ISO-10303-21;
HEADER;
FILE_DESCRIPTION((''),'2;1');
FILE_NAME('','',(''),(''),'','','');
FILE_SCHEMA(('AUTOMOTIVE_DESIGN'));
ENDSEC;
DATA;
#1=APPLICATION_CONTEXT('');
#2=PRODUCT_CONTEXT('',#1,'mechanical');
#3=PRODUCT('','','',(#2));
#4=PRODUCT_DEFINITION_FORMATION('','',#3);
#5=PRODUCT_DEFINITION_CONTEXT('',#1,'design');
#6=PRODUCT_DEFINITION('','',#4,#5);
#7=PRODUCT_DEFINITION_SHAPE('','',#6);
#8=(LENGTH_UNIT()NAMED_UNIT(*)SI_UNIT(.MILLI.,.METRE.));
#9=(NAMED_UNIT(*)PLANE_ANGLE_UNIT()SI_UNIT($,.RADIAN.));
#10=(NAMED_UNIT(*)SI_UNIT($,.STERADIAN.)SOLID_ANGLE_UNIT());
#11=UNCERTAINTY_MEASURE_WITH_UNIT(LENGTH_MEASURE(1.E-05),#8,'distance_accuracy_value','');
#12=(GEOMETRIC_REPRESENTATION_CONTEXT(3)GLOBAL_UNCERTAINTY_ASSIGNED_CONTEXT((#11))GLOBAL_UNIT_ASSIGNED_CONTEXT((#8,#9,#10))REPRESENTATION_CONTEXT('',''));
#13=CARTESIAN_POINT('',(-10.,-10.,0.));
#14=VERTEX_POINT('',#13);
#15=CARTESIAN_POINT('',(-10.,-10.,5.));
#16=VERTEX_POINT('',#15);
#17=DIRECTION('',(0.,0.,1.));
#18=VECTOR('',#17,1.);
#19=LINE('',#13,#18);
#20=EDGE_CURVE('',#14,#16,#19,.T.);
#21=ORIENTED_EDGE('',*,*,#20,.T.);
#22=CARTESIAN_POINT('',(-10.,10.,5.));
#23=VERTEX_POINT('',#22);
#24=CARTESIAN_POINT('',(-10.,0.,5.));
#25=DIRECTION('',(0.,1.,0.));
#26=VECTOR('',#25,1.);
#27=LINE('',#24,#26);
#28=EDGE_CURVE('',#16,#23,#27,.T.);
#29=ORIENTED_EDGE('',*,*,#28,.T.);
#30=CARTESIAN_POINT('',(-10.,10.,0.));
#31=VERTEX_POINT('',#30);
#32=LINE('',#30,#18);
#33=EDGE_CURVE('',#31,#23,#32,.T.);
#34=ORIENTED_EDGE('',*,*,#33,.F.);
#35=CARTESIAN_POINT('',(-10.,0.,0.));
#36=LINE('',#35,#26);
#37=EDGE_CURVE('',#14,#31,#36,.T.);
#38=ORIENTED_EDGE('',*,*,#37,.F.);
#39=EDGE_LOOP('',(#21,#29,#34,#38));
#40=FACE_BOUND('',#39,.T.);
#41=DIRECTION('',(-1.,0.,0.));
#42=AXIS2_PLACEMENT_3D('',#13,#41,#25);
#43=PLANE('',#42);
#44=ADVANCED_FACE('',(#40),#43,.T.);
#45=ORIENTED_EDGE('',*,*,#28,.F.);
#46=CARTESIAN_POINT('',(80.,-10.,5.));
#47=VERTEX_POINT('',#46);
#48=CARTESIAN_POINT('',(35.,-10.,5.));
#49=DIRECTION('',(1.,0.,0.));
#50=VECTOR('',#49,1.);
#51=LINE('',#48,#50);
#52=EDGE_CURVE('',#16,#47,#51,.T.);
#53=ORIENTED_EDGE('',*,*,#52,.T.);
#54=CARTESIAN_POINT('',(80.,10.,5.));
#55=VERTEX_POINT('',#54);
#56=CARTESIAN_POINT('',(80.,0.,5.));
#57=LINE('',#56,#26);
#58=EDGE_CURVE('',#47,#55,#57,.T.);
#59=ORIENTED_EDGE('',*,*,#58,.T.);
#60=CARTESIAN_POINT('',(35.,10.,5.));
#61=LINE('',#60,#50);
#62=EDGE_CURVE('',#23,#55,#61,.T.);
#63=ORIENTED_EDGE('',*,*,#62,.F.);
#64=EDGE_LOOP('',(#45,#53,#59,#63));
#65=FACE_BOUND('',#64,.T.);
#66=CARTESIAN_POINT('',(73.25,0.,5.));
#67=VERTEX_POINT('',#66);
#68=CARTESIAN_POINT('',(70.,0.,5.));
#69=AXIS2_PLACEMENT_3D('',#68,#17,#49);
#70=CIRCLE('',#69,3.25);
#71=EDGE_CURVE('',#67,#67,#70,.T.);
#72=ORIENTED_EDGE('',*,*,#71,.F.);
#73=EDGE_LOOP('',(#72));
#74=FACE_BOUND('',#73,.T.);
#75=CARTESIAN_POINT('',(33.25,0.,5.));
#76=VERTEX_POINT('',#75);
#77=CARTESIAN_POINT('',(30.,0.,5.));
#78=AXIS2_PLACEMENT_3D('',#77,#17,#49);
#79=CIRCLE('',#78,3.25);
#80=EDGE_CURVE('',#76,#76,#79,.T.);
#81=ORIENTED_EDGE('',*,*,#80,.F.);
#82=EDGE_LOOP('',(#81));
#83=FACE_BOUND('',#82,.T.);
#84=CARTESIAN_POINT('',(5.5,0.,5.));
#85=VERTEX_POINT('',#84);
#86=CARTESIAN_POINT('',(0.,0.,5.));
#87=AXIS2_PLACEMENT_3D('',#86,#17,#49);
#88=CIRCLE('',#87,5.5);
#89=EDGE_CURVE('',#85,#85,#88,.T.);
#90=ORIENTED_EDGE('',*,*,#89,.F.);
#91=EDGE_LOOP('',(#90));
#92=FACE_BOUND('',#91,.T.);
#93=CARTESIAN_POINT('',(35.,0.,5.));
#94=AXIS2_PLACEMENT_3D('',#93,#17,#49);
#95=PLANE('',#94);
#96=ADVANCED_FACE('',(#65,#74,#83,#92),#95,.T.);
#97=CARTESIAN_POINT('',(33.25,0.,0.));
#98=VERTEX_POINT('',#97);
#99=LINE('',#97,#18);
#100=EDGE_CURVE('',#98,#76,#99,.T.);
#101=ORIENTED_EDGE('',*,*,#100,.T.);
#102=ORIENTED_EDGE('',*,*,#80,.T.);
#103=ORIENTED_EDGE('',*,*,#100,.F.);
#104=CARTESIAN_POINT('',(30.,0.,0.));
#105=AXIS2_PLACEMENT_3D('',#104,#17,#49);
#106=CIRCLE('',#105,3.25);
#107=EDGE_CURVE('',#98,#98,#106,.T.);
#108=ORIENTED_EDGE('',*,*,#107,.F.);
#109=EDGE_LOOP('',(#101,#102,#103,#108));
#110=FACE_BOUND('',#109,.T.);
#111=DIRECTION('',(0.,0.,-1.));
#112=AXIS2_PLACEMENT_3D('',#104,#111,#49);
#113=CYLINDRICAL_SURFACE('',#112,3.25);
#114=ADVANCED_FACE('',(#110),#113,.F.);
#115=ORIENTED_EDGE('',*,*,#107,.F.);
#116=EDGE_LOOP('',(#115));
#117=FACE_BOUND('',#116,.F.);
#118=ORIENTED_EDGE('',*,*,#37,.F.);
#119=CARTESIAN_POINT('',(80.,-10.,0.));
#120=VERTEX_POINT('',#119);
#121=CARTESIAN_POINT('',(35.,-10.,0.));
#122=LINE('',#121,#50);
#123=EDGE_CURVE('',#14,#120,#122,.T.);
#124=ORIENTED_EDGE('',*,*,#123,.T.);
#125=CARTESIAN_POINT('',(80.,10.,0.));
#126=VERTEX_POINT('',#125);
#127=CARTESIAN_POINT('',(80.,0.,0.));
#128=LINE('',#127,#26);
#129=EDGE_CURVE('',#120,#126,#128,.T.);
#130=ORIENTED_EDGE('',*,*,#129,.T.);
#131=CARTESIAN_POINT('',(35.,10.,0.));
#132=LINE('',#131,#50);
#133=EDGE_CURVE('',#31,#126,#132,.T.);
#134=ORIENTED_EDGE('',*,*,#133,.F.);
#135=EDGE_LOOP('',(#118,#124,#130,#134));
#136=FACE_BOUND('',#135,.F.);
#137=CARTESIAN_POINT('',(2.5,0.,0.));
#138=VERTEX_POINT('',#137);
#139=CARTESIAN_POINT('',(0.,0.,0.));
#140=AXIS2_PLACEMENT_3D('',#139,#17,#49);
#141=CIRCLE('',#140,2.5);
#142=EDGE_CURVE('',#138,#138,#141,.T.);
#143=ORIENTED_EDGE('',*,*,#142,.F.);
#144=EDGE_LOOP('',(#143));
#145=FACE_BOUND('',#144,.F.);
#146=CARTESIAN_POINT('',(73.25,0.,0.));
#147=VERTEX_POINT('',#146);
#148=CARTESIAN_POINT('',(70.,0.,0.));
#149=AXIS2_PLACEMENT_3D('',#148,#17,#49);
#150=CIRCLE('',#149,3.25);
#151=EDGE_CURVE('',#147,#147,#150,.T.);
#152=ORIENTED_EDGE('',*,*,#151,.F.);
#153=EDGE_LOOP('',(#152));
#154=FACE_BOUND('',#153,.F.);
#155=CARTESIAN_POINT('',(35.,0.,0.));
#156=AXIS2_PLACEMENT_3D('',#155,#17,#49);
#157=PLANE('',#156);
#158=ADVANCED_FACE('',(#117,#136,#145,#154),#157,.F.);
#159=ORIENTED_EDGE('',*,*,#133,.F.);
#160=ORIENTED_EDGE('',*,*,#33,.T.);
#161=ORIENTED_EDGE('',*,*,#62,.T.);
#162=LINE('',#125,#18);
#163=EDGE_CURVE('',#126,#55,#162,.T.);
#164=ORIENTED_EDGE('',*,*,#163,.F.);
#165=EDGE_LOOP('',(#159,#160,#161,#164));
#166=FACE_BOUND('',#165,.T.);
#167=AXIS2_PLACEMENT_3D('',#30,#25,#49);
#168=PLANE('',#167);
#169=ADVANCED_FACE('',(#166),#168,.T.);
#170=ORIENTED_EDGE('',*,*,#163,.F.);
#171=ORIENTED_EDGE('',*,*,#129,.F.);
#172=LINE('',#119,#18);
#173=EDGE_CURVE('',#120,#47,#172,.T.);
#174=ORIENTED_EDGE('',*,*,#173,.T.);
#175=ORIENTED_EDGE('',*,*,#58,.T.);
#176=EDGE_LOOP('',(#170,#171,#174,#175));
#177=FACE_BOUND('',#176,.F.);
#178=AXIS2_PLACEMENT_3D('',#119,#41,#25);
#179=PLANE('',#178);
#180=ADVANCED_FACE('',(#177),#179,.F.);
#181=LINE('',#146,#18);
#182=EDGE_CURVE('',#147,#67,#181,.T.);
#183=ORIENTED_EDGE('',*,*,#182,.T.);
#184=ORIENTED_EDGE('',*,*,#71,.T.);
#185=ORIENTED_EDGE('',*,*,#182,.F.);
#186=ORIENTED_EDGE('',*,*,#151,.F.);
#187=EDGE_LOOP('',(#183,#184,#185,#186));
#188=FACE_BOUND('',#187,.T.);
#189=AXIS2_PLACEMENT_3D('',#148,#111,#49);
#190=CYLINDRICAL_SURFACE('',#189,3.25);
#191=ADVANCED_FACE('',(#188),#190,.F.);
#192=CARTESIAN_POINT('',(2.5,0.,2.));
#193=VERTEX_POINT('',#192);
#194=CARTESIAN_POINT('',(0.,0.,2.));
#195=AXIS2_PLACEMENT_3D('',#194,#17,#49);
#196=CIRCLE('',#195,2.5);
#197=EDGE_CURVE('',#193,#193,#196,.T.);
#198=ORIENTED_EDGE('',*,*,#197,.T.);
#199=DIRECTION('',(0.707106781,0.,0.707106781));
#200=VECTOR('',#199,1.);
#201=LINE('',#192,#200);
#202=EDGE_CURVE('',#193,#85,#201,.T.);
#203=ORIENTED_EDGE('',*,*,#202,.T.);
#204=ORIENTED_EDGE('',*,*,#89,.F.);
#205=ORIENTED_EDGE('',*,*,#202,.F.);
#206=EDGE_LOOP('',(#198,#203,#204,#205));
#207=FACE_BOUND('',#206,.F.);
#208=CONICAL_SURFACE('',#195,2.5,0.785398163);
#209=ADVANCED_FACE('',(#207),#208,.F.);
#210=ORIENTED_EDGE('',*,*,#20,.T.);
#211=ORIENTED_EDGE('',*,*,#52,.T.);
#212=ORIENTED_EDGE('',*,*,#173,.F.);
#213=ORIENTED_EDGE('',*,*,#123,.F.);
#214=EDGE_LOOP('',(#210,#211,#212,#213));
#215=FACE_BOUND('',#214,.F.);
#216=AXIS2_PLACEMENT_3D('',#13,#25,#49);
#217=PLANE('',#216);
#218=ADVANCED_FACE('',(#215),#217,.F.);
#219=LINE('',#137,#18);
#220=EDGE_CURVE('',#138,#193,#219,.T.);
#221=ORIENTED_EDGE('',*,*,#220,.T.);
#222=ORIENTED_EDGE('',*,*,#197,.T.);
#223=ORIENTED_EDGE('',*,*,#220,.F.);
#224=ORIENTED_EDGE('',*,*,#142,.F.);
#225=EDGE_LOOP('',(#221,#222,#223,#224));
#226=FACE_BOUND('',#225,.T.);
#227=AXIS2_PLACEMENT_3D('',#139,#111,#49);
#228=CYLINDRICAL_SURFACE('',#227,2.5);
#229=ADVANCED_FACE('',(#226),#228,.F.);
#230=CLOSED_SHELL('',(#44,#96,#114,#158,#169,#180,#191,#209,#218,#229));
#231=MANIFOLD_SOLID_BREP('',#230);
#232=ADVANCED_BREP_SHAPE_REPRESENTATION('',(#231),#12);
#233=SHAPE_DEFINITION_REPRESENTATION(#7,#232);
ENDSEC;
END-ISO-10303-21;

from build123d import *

# Parameters (mm, degrees)
F0_W     = 90
F0_H     = 20
F0_R     = 2.5
F0_R_2   = 3.25
F1_DEPTH = 5
F2_SIZE  = 3


with BuildPart() as f1:
    # F0 (on Top) → F1 (new body)
    with BuildSketch(Plane.XY):
        with Locations((35, 0)):
            Rectangle(F0_W, F0_H)
        Circle(F0_R, mode=Mode.SUBTRACT)
        with Locations((30, 0)):
            Circle(F0_R_2, mode=Mode.SUBTRACT)
        with Locations((70, 0)):
            Circle(F0_R_2, mode=Mode.SUBTRACT)
    extrude(amount=F1_DEPTH)

    # F2
    f2_edges = [f1.edges().sort_by_distance(p)[0] for p in [
        (-2.5, 0, 5),
    ]]
    chamfer(f2_edges, length=F2_SIZE)


solid = f1.part
